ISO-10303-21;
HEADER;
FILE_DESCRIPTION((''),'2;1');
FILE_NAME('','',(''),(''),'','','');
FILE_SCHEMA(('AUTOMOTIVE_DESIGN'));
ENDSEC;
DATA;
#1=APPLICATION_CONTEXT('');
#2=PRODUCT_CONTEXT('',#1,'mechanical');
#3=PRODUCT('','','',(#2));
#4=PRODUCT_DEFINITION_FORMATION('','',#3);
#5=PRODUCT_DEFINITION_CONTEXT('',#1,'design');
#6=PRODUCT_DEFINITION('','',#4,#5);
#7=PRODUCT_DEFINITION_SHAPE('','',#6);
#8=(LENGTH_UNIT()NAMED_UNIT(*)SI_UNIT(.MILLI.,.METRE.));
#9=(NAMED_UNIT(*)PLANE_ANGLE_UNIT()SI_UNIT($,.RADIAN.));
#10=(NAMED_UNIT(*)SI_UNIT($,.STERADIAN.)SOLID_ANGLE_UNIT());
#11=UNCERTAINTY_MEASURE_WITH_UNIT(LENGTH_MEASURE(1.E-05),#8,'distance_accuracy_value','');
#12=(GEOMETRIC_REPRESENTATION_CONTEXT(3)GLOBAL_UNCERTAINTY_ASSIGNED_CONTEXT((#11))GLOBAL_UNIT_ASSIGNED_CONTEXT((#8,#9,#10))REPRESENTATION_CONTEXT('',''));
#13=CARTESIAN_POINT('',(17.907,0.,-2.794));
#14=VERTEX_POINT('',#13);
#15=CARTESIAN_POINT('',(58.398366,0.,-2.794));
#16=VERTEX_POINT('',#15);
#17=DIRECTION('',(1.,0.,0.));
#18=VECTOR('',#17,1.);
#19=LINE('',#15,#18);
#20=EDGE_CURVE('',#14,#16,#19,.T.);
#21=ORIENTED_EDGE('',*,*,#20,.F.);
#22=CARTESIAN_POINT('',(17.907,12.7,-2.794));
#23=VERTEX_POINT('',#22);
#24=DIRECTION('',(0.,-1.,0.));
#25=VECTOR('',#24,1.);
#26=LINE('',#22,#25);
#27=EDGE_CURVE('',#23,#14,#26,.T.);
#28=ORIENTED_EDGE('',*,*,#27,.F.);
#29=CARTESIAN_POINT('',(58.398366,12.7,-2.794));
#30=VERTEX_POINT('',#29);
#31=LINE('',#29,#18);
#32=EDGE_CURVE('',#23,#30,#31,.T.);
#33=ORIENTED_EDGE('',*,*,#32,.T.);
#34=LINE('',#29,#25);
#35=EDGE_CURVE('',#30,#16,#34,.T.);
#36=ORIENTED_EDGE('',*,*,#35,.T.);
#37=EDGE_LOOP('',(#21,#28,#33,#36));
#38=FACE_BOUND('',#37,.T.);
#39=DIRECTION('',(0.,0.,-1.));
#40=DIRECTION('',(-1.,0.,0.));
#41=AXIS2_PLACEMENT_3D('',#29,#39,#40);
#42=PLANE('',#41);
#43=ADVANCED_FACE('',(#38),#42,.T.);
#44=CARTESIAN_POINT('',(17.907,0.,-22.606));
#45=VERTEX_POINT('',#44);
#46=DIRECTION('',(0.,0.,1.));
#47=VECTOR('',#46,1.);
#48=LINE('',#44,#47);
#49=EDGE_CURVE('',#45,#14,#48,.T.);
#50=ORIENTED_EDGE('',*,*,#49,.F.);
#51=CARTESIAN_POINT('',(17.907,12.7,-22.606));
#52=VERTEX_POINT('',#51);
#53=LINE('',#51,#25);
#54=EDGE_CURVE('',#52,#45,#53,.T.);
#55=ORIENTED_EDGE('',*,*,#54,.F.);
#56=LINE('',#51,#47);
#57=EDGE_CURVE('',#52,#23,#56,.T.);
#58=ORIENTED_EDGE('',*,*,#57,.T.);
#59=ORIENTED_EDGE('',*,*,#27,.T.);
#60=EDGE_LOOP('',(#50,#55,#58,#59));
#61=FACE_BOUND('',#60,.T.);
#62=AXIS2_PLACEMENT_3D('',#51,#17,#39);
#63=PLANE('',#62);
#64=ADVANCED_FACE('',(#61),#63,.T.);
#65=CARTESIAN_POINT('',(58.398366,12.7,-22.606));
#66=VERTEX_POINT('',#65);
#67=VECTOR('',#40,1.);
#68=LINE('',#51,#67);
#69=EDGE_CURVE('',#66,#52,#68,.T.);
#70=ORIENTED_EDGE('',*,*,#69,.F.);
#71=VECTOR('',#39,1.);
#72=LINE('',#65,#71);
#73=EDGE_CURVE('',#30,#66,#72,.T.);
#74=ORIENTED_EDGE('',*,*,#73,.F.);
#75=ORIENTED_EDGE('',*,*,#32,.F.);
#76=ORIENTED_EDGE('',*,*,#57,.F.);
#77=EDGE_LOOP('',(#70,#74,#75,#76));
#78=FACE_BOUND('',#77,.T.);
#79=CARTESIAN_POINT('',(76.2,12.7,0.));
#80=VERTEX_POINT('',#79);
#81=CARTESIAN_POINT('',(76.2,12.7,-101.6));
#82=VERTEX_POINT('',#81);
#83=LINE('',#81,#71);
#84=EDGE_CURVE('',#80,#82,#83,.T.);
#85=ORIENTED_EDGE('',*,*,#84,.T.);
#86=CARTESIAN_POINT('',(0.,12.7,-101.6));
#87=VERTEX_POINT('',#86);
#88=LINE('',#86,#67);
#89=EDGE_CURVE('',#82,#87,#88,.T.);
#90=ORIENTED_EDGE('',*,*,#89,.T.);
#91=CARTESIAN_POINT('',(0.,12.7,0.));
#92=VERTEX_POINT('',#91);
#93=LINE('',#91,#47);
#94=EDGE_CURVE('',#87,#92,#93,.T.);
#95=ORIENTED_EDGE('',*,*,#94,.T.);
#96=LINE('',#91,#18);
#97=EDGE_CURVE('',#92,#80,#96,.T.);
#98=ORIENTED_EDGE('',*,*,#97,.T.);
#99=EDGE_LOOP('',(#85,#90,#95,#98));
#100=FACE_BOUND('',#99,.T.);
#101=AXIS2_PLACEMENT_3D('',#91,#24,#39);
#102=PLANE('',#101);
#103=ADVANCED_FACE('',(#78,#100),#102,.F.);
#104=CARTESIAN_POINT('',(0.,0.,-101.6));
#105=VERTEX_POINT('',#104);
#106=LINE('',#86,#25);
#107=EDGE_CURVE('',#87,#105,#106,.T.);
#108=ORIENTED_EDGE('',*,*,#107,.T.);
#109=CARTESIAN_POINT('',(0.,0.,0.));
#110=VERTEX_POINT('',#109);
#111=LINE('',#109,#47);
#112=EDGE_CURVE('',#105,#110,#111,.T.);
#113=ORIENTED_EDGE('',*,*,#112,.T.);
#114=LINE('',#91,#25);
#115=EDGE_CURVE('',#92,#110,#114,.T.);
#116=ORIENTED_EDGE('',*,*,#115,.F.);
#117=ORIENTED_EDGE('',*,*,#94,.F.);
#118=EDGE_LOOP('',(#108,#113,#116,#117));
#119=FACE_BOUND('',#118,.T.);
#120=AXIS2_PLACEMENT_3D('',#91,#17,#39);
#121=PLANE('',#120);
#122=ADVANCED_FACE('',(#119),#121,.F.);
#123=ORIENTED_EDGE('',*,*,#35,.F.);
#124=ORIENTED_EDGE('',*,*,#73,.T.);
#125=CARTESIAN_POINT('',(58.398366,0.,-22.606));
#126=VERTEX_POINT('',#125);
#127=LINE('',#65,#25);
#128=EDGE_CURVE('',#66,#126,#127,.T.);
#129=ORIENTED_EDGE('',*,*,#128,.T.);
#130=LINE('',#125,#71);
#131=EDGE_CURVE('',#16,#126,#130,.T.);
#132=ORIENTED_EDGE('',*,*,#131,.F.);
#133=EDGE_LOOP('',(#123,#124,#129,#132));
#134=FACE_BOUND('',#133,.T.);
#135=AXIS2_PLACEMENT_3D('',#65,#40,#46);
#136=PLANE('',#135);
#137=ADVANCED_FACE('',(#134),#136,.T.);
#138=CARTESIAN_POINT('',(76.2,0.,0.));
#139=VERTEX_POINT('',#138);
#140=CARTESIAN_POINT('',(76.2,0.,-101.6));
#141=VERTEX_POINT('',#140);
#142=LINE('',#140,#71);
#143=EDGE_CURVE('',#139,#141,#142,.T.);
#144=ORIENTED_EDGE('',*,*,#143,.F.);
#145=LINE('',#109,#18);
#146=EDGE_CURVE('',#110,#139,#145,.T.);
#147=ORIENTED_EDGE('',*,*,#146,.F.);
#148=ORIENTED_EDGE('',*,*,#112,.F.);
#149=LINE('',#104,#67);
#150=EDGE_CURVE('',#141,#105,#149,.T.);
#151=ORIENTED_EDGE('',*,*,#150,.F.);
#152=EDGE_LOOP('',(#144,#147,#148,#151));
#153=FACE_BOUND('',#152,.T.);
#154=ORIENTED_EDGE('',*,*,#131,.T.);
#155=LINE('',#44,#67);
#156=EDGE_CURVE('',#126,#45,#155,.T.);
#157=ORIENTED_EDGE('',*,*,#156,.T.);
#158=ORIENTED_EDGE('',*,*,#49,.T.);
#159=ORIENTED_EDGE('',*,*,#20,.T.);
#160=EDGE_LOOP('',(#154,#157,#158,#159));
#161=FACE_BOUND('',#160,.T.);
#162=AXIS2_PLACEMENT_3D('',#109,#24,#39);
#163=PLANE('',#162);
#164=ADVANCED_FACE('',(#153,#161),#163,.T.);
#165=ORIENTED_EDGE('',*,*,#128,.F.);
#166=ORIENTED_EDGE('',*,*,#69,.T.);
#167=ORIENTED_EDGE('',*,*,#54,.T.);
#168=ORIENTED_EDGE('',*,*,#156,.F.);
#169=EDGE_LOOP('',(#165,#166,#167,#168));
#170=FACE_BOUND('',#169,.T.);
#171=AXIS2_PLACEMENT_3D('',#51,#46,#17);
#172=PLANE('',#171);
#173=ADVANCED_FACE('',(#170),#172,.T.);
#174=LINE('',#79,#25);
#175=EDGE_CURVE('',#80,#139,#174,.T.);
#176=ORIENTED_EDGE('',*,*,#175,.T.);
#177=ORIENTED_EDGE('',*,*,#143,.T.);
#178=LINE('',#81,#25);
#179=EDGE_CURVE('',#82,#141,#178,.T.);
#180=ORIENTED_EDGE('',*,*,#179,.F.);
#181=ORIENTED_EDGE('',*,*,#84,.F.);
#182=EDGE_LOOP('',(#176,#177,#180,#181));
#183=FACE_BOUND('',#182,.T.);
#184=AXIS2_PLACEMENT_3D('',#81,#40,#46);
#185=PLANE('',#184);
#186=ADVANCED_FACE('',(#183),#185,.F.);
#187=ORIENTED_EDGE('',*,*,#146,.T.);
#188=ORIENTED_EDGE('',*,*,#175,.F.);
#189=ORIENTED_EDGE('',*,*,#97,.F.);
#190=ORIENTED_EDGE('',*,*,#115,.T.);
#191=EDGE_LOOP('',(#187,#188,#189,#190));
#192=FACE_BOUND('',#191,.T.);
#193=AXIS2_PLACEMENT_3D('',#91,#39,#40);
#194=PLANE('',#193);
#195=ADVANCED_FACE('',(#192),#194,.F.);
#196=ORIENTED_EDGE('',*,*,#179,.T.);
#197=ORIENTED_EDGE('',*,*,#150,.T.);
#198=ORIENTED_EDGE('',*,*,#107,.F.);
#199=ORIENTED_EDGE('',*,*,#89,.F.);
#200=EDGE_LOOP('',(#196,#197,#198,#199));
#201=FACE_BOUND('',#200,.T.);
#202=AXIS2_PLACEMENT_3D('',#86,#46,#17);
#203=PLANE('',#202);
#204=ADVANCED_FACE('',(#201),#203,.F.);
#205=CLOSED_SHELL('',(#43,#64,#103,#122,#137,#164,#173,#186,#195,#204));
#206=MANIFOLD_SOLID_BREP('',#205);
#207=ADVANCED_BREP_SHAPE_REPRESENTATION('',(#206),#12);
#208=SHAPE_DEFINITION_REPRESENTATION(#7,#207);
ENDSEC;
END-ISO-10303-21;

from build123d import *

# Parameters (mm, degrees)
SKETCH1_W           = 76.2
SKETCH1_H           = 101.6
SKETCH1_W_2         = 40.491366427
SKETCH1_H_2         = 19.812
BOSS_EXTRUDE1_DEPTH = 12.7


with BuildPart() as part:
    # Sketch1 → Boss-Extrude1 (new body)
    with BuildSketch(Plane(origin=(0, 0, 0), x_dir=(1, 0, 0), z_dir=(0, 1, 0))):
        with Locations((38.1, 50.8)):
            Rectangle(SKETCH1_W, SKETCH1_H)
        with Locations((38.152683214, 12.7)):
            Rectangle(SKETCH1_W_2, SKETCH1_H_2, mode=Mode.SUBTRACT)
    extrude(amount=BOSS_EXTRUDE1_DEPTH)


solid = part.part
